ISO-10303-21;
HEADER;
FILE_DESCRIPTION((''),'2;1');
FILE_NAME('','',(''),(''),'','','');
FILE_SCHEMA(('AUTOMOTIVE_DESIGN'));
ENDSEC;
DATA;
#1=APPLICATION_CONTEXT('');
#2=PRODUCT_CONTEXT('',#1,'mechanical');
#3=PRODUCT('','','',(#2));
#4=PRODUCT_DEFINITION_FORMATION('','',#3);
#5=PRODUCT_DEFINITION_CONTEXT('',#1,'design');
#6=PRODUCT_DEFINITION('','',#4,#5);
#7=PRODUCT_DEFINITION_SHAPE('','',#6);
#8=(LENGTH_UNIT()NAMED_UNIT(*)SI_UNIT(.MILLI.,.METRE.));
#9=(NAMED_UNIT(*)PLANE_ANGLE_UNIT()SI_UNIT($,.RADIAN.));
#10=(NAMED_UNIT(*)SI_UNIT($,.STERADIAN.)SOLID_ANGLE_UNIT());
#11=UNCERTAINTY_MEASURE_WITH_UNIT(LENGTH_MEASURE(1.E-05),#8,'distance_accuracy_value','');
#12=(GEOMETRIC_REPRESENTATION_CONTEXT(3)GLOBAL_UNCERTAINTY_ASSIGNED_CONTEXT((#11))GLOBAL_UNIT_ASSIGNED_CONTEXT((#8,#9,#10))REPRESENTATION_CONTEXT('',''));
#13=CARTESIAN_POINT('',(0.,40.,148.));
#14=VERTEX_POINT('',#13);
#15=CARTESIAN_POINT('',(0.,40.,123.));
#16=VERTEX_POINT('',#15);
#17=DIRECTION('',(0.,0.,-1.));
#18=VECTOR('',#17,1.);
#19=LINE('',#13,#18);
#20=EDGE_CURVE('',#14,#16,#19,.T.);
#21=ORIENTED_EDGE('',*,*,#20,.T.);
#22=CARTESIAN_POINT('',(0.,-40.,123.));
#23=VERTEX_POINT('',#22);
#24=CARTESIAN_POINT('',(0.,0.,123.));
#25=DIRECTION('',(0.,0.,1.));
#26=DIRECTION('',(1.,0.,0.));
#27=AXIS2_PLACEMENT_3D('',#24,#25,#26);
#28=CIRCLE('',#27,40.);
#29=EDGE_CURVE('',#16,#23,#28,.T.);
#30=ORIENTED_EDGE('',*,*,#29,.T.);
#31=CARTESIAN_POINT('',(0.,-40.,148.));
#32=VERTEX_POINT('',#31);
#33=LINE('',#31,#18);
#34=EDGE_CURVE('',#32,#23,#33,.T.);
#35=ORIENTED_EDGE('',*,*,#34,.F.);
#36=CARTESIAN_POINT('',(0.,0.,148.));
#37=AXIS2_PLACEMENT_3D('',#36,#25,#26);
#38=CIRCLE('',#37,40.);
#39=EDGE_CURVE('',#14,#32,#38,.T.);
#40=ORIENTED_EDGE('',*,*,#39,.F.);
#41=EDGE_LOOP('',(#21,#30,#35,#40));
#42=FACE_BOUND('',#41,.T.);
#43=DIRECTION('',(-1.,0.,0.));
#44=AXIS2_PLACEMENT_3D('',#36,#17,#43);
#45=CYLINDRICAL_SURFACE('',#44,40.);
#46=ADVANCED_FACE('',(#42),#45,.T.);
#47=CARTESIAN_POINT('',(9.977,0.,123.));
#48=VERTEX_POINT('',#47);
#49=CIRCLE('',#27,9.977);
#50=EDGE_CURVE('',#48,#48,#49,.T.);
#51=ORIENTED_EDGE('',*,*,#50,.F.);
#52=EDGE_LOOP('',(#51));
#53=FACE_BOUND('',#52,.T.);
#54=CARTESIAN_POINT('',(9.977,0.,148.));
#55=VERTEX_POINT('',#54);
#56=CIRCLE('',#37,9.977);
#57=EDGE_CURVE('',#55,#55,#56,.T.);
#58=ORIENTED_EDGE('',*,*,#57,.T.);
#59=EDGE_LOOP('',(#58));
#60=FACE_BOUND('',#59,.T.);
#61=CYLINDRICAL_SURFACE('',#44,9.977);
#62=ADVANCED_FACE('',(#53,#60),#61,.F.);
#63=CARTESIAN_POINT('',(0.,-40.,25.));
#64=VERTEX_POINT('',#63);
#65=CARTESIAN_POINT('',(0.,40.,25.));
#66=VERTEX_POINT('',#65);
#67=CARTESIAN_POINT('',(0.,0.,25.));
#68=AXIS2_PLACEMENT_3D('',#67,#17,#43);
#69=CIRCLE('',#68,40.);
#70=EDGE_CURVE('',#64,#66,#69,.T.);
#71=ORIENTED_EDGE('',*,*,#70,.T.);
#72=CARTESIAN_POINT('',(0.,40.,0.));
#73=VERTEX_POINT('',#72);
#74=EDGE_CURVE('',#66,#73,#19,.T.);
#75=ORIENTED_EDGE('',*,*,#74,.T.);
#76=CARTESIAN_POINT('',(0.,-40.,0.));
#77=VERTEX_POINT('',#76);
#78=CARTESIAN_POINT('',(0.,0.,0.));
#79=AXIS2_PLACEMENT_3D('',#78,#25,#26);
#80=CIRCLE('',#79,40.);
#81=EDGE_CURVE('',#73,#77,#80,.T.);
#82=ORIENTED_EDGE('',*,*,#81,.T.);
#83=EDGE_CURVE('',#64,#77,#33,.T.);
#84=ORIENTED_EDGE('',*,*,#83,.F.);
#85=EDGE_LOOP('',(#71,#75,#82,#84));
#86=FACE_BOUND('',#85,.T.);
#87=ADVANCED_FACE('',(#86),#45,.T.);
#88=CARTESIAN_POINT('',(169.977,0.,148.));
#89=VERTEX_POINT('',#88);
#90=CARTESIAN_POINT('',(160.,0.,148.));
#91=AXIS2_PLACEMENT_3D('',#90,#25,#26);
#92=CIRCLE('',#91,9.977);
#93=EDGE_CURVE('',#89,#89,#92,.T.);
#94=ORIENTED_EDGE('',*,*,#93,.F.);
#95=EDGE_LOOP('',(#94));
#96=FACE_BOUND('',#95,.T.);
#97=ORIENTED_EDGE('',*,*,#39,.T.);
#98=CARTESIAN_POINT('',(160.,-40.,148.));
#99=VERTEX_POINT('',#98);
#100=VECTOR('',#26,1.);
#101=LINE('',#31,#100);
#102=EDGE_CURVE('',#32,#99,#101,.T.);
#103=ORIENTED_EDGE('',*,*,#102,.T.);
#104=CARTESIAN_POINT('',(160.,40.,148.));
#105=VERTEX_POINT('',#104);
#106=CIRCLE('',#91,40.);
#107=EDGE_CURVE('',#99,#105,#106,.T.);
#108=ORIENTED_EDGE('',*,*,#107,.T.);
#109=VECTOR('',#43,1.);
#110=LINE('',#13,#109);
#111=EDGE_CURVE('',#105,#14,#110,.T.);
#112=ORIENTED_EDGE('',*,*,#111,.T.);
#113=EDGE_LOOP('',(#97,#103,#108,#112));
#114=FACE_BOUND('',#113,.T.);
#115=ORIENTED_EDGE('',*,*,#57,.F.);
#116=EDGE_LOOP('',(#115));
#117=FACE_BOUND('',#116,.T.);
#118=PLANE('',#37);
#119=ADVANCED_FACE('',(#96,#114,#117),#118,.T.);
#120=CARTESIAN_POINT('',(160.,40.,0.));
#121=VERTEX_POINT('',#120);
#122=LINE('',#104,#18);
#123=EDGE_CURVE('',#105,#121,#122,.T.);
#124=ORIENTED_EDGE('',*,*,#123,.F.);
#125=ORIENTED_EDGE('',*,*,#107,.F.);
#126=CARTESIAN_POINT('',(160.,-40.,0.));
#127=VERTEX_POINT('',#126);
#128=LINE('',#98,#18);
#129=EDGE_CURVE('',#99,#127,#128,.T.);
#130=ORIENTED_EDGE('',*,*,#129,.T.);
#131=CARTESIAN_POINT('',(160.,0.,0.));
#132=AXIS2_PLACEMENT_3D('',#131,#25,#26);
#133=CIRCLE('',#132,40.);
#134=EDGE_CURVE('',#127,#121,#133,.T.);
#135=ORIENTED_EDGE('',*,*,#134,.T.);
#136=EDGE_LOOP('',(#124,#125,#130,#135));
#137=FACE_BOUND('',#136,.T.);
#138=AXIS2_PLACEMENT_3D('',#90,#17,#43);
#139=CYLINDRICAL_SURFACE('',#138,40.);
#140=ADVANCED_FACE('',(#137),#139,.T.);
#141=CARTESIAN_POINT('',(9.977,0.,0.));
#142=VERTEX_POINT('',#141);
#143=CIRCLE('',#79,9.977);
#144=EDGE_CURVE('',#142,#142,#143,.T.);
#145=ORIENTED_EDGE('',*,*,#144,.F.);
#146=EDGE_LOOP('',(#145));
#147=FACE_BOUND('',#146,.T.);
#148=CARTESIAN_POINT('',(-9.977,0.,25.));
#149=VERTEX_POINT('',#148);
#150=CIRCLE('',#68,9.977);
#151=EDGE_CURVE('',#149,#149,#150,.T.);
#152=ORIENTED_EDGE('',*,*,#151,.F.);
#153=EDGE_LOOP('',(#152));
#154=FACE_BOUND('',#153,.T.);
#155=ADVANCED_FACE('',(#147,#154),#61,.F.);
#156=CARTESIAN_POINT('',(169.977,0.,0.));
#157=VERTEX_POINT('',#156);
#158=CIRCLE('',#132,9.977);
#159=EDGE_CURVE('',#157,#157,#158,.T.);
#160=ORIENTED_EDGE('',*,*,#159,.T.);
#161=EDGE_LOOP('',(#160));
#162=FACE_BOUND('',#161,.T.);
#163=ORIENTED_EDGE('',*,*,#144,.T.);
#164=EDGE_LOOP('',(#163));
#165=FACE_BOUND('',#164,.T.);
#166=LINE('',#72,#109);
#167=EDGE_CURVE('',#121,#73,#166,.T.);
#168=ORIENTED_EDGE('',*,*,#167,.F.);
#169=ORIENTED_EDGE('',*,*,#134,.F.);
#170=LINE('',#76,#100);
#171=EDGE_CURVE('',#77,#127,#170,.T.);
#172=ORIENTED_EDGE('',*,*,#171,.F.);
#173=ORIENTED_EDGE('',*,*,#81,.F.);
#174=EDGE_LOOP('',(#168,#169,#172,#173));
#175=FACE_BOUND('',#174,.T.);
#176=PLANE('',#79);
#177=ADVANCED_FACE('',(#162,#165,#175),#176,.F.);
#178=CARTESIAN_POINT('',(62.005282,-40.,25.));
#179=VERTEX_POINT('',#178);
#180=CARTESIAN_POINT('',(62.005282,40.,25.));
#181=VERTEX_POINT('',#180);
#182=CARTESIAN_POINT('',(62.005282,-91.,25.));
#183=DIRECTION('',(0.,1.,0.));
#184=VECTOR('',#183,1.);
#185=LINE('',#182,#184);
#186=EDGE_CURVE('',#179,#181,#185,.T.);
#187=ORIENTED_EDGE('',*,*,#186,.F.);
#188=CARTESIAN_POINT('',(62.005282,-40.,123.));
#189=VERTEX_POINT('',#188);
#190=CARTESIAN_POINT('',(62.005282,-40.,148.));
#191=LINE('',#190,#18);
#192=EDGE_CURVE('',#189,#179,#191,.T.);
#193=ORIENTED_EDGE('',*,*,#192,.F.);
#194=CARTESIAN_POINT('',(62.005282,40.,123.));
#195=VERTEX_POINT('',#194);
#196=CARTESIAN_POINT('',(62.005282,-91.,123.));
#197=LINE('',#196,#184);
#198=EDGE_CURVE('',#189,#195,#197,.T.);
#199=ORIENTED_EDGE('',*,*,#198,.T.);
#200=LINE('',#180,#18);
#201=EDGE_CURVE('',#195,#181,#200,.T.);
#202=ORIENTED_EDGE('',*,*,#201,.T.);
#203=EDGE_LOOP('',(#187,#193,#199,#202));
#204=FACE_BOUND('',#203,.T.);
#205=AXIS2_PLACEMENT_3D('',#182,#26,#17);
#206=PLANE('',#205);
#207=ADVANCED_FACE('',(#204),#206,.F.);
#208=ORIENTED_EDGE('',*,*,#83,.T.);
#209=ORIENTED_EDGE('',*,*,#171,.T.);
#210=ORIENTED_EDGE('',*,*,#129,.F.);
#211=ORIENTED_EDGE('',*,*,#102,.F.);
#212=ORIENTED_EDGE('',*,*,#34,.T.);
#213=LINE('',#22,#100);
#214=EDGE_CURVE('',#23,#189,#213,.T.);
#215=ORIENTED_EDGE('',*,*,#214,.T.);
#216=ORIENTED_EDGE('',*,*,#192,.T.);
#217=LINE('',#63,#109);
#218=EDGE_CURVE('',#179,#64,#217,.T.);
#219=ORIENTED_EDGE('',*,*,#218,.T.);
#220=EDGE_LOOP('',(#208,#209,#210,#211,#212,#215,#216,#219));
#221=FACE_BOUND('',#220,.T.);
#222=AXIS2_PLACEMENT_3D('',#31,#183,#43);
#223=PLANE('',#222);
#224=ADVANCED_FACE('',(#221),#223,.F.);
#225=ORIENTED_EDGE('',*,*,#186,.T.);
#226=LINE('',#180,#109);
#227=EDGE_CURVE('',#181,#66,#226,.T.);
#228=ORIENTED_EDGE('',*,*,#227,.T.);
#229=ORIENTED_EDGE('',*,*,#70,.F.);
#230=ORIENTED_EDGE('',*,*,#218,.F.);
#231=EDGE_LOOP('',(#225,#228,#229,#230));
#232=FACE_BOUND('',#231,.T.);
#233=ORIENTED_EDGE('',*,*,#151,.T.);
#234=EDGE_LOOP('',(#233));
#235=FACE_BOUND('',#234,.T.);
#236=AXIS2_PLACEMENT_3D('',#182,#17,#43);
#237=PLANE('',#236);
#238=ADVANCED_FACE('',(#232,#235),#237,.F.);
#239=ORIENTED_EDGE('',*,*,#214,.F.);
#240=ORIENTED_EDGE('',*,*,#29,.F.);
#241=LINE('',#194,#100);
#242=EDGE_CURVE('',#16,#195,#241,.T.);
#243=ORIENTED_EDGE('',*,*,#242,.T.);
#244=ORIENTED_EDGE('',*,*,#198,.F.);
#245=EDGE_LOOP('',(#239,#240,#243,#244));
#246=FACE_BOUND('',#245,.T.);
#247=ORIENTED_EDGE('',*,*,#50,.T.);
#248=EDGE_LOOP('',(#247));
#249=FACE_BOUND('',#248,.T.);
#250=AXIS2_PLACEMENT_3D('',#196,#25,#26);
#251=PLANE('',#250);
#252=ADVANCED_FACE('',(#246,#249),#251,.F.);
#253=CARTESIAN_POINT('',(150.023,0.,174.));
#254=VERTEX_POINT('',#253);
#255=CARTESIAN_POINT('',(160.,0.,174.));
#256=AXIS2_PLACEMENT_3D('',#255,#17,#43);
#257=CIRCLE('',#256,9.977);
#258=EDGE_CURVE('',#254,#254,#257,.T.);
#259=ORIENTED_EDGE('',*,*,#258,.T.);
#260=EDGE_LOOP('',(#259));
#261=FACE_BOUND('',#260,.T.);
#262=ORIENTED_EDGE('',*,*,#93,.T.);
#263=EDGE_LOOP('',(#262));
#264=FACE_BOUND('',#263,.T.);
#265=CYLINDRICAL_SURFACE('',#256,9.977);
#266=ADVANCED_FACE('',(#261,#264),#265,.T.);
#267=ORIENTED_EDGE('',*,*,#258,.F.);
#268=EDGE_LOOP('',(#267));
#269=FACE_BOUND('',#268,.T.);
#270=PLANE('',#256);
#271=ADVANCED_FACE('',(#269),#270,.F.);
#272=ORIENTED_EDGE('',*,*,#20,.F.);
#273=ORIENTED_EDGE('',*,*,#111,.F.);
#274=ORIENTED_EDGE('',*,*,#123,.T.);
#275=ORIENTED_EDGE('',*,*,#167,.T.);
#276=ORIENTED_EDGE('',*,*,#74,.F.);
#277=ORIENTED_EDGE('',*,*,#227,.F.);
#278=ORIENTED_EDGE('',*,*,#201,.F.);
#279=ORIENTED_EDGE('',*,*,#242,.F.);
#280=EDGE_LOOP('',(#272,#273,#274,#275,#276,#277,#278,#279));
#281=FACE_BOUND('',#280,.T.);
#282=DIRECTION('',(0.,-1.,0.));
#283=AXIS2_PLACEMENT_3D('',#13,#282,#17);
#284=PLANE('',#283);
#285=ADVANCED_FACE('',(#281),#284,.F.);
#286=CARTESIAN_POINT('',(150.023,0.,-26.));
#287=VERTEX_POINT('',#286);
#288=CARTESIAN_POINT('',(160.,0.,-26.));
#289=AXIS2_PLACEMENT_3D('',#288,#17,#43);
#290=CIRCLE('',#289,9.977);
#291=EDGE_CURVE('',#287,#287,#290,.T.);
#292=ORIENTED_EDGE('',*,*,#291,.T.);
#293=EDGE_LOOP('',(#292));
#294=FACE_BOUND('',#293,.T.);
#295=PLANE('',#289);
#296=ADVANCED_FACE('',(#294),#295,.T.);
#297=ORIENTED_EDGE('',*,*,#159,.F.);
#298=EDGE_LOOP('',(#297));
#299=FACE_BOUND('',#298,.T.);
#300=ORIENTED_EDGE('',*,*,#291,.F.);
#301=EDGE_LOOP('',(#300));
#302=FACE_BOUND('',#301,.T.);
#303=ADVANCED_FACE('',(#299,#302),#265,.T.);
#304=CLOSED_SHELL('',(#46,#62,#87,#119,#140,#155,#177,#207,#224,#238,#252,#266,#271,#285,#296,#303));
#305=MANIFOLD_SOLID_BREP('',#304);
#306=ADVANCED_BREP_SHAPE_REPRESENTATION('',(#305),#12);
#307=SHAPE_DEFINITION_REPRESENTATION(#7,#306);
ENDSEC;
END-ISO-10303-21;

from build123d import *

# Parameters (mm, degrees)
CROQUIS1_R                    = 9.977
SALIENTE_EXTRUIR9_DEPTH       = 148
SALIENTE_EXTRUIR10_DEPTH      = 26
SALIENTE_EXTRUIR10_DEPTH_BACK = 174
CROQUIS8_R                    = 9.977
CROQUIS9_W                    = 114.38894851
CROQUIS9_H                    = 98
CORTAR_EXTRUIR2_DEPTH         = 131


with BuildPart() as part:
    # Croquis1 → Saliente-Extruir9 (new body)
    with BuildSketch(Plane.XY):
        with BuildLine():
            Line((0, 40), (160, 40))
            ThreePointArc((160, 40), (200, 0), (160, -40))
            Line((160, -40), (0, -40))
            ThreePointArc((0, -40), (-40, 0), (0, 40))
        make_face()
        Circle(CROQUIS1_R, mode=Mode.SUBTRACT)
    extrude(amount=SALIENTE_EXTRUIR9_DEPTH)

    # Croquis8 → Saliente-Extruir10 (add, two sides: drawn at the far end of the back side and taken through both)
    with BuildSketch(Plane(origin=(0, 0, 0), x_dir=(-1, 0, 0), z_dir=(0, 0, -1)).offset(-SALIENTE_EXTRUIR10_DEPTH_BACK)):
        with Locations((-160, 0)):
            Circle(CROQUIS8_R)
    extrude(amount=SALIENTE_EXTRUIR10_DEPTH + SALIENTE_EXTRUIR10_DEPTH_BACK)

    # Croquis9 → Cortar-Extruir2 (cut)
    with BuildSketch(Plane(origin=(0, 40, 0), x_dir=(1, 0, 0), z_dir=(0, 1, 0))):
        with Locations((4.810807807, -74)):
            Rectangle(CROQUIS9_W, CROQUIS9_H)
    extrude(amount=-CORTAR_EXTRUIR2_DEPTH, mode=Mode.SUBTRACT)


solid = part.part
